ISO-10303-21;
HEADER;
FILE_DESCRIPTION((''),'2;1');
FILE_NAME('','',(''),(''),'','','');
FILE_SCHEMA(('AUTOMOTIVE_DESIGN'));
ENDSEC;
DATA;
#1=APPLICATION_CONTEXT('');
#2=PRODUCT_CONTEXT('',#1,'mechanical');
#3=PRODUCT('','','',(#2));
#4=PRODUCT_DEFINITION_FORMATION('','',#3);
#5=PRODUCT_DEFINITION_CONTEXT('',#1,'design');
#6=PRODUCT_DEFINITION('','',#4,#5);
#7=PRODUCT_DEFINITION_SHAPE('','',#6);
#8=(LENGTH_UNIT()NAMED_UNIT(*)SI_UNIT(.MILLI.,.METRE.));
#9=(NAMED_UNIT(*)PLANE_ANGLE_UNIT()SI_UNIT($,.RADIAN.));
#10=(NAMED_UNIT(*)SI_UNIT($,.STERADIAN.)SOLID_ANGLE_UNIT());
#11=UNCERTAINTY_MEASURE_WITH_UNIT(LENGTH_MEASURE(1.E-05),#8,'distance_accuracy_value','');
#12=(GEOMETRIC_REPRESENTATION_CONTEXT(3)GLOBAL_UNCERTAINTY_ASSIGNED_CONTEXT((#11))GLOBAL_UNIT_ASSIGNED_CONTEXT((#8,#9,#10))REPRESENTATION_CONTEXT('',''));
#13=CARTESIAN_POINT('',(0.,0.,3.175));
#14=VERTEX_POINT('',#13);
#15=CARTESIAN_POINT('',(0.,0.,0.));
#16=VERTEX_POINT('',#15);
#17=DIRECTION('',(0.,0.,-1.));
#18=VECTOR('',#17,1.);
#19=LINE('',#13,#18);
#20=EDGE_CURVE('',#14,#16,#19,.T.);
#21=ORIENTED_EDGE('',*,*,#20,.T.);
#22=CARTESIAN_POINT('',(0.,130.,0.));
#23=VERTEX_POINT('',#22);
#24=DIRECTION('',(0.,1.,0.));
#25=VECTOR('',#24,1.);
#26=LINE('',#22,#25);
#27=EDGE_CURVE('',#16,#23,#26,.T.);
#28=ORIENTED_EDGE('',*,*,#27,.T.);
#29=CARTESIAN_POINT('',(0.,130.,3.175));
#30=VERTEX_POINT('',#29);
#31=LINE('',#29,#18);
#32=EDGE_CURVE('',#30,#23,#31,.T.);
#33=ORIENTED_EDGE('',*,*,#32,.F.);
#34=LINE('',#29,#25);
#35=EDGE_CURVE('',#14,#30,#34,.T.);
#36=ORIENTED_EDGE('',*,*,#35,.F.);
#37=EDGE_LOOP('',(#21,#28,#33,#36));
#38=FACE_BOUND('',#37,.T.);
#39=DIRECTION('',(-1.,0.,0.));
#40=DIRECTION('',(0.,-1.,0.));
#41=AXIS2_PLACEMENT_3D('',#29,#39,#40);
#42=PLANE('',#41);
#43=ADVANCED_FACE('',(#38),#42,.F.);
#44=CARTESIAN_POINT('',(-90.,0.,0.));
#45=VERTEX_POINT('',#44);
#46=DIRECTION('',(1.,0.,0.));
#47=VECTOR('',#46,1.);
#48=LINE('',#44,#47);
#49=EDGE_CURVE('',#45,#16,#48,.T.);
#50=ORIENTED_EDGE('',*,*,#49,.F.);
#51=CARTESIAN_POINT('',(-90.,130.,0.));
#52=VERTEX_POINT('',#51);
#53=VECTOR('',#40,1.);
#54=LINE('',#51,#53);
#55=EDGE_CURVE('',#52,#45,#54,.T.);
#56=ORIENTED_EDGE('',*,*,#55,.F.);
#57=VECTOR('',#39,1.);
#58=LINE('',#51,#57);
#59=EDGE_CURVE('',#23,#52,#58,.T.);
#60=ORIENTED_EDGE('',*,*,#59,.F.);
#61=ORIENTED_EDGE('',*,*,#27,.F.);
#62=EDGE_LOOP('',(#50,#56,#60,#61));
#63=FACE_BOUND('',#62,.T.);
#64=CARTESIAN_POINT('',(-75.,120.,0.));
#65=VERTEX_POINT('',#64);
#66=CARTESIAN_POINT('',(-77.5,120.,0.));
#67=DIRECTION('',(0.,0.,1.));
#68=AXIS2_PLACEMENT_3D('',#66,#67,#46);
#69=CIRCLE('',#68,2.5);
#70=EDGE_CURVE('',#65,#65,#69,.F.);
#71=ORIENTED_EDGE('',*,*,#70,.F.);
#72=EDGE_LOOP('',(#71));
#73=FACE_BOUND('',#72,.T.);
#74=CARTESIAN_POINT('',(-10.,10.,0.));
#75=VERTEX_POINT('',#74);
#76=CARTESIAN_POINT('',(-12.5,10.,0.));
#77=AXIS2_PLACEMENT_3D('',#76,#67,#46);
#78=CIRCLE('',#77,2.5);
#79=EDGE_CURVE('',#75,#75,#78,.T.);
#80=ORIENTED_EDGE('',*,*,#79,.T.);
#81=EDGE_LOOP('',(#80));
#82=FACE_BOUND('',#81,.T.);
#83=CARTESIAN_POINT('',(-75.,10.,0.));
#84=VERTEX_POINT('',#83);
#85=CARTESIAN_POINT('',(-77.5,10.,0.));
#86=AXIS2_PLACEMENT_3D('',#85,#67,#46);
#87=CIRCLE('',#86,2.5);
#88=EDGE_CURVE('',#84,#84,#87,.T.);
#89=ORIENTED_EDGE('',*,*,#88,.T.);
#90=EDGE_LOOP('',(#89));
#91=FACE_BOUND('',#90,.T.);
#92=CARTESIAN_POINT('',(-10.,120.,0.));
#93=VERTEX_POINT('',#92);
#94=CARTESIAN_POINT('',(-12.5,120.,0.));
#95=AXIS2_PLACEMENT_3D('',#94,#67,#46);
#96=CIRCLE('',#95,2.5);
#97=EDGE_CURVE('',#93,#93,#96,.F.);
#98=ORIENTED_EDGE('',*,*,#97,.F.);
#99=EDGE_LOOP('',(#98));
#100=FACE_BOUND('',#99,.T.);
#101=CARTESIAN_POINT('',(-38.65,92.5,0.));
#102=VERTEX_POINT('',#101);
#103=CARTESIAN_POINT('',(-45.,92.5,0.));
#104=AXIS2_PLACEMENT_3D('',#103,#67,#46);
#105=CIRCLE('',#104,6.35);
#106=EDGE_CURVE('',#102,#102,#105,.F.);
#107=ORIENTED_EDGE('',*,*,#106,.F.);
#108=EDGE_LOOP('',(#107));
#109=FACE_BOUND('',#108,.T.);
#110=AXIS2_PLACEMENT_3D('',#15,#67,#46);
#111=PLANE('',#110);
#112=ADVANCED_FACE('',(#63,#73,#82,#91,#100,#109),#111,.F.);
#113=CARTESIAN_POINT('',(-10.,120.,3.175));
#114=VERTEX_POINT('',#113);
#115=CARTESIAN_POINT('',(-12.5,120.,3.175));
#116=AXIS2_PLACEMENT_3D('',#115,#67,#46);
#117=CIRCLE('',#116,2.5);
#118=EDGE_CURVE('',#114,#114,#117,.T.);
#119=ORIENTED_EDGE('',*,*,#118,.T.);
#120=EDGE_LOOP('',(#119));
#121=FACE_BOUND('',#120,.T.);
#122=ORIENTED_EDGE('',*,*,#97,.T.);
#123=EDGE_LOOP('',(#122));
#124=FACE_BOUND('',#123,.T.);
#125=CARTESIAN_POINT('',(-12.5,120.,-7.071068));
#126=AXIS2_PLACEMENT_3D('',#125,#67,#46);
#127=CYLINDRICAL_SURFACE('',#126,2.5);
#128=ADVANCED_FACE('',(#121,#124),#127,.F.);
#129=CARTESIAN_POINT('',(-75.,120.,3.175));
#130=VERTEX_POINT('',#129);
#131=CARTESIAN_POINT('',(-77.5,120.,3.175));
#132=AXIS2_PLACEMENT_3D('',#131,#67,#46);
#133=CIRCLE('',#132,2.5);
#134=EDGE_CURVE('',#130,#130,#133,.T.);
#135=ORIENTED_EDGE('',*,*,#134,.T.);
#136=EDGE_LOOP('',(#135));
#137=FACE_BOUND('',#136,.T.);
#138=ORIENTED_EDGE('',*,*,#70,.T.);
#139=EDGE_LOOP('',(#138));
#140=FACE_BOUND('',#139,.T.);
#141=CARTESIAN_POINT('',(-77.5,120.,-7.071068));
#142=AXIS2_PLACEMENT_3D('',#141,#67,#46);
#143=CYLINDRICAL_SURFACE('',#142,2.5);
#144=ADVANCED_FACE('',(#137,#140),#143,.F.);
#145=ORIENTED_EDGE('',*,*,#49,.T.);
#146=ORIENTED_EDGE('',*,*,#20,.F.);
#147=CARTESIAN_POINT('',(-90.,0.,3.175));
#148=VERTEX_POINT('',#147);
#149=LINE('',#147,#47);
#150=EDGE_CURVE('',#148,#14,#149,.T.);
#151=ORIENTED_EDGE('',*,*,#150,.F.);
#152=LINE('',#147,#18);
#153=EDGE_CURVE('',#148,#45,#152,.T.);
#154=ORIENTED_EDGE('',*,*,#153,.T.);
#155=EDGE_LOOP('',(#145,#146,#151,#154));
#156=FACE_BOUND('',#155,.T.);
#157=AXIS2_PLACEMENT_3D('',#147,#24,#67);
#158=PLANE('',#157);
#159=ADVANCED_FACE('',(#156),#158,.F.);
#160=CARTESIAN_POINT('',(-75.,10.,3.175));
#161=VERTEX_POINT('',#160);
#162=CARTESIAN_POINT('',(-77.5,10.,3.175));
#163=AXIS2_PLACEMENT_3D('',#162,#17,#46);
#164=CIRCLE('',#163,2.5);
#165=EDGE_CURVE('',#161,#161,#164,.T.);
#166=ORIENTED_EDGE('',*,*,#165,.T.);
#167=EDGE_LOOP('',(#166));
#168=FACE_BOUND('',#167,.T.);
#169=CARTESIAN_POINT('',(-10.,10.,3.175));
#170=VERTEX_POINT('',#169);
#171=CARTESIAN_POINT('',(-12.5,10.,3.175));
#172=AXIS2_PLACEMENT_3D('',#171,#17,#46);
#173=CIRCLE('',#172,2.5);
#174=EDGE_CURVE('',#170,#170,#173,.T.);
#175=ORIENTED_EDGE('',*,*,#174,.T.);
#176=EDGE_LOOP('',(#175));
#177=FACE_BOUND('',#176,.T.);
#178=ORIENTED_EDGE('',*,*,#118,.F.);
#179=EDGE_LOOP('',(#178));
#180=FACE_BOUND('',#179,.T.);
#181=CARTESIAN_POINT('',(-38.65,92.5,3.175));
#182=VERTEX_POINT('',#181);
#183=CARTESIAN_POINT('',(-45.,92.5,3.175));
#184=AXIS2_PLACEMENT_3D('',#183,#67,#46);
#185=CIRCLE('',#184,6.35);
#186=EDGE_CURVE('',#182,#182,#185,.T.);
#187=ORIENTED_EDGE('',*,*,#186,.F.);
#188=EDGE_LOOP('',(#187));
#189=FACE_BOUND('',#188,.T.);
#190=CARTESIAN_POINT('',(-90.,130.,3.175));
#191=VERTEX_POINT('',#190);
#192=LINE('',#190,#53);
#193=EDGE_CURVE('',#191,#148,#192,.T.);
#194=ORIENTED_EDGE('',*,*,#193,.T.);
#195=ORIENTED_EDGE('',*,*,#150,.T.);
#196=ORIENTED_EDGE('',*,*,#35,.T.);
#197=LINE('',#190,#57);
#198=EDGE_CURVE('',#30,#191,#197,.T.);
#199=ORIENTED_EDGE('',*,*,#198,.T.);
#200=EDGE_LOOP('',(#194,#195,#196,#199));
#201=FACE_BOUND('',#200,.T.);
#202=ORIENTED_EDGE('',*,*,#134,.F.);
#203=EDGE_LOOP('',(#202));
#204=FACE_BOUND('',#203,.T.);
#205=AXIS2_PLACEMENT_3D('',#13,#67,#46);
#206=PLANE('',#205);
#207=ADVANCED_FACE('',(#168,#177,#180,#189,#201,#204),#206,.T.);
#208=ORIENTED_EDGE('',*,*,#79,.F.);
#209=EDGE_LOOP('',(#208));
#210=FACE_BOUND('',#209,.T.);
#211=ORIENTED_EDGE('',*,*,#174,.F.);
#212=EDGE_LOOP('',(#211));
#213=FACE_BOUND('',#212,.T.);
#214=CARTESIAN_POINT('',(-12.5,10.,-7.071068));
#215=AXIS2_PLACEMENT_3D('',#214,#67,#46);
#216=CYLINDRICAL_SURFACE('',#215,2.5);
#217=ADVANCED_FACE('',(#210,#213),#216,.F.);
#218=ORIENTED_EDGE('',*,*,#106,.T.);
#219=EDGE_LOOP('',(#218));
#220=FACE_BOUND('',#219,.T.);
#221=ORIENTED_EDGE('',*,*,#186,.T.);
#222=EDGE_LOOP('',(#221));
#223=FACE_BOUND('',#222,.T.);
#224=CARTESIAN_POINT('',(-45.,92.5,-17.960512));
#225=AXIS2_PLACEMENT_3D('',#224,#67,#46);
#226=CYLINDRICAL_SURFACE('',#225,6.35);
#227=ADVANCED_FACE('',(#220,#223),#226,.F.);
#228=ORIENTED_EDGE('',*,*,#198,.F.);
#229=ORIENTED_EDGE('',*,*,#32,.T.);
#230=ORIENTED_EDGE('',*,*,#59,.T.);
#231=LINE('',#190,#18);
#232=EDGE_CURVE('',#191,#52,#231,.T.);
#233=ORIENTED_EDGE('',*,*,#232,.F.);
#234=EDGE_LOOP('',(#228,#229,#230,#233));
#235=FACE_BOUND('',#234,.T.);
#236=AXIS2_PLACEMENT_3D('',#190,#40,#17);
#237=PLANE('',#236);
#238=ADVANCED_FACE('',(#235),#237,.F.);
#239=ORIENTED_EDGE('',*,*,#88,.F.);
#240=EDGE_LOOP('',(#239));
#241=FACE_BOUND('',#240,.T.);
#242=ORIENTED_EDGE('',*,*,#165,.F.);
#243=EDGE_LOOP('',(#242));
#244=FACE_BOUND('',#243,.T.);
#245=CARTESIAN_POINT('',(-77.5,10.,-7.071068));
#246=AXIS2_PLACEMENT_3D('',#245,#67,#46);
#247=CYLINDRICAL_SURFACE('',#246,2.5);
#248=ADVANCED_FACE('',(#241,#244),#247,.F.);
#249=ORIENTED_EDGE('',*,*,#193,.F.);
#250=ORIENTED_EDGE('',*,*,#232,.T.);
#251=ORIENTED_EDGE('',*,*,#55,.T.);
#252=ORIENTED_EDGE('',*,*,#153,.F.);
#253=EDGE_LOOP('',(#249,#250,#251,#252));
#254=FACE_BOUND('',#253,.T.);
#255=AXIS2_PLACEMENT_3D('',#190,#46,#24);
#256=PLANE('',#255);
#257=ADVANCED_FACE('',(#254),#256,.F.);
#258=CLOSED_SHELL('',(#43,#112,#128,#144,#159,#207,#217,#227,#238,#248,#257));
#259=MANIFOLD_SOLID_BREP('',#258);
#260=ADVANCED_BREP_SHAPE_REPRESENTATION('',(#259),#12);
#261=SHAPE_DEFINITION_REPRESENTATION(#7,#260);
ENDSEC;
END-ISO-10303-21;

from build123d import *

# Parameters (mm, degrees)
SKETCH1_W           = 90
SKETCH1_H           = 130
BOSS_EXTRUDE1_DEPTH = 3.175
SKETCH2_R           = 2.5
CUT_EXTRUDE1_DEPTH  = 3.175
SKETCH3_R           = 6.35
CUT_EXTRUDE2_DEPTH  = 3.175


with BuildPart() as part:
    # Sketch1 → Boss-Extrude1 (new body)
    with BuildSketch(Plane.XY):
        with Locations((-45, 65)):
            Rectangle(SKETCH1_W, SKETCH1_H)
    extrude(amount=BOSS_EXTRUDE1_DEPTH)

    # Sketch2 → Cut-Extrude1 (cut)
    with BuildSketch(Plane.XY.offset(3.175)):
        with Locations((-77.5, 120)):
            Circle(SKETCH2_R)
        with Locations((-12.5, 120)):
            Circle(SKETCH2_R)
    cut_extrude1 = extrude(amount=-CUT_EXTRUDE1_DEPTH, mode=Mode.SUBTRACT)

    # Mirror1: Cut-Extrude1 across plane
    add(cut_extrude1.mirror(Plane.ZX.offset(65)), mode=Mode.SUBTRACT)

    # Sketch3 → Cut-Extrude2 (cut)
    with BuildSketch(Plane.XY.offset(3.175)):
        with Locations((-45, 92.5)):
            Circle(SKETCH3_R)
    extrude(amount=-CUT_EXTRUDE2_DEPTH, mode=Mode.SUBTRACT)


solid = part.part
